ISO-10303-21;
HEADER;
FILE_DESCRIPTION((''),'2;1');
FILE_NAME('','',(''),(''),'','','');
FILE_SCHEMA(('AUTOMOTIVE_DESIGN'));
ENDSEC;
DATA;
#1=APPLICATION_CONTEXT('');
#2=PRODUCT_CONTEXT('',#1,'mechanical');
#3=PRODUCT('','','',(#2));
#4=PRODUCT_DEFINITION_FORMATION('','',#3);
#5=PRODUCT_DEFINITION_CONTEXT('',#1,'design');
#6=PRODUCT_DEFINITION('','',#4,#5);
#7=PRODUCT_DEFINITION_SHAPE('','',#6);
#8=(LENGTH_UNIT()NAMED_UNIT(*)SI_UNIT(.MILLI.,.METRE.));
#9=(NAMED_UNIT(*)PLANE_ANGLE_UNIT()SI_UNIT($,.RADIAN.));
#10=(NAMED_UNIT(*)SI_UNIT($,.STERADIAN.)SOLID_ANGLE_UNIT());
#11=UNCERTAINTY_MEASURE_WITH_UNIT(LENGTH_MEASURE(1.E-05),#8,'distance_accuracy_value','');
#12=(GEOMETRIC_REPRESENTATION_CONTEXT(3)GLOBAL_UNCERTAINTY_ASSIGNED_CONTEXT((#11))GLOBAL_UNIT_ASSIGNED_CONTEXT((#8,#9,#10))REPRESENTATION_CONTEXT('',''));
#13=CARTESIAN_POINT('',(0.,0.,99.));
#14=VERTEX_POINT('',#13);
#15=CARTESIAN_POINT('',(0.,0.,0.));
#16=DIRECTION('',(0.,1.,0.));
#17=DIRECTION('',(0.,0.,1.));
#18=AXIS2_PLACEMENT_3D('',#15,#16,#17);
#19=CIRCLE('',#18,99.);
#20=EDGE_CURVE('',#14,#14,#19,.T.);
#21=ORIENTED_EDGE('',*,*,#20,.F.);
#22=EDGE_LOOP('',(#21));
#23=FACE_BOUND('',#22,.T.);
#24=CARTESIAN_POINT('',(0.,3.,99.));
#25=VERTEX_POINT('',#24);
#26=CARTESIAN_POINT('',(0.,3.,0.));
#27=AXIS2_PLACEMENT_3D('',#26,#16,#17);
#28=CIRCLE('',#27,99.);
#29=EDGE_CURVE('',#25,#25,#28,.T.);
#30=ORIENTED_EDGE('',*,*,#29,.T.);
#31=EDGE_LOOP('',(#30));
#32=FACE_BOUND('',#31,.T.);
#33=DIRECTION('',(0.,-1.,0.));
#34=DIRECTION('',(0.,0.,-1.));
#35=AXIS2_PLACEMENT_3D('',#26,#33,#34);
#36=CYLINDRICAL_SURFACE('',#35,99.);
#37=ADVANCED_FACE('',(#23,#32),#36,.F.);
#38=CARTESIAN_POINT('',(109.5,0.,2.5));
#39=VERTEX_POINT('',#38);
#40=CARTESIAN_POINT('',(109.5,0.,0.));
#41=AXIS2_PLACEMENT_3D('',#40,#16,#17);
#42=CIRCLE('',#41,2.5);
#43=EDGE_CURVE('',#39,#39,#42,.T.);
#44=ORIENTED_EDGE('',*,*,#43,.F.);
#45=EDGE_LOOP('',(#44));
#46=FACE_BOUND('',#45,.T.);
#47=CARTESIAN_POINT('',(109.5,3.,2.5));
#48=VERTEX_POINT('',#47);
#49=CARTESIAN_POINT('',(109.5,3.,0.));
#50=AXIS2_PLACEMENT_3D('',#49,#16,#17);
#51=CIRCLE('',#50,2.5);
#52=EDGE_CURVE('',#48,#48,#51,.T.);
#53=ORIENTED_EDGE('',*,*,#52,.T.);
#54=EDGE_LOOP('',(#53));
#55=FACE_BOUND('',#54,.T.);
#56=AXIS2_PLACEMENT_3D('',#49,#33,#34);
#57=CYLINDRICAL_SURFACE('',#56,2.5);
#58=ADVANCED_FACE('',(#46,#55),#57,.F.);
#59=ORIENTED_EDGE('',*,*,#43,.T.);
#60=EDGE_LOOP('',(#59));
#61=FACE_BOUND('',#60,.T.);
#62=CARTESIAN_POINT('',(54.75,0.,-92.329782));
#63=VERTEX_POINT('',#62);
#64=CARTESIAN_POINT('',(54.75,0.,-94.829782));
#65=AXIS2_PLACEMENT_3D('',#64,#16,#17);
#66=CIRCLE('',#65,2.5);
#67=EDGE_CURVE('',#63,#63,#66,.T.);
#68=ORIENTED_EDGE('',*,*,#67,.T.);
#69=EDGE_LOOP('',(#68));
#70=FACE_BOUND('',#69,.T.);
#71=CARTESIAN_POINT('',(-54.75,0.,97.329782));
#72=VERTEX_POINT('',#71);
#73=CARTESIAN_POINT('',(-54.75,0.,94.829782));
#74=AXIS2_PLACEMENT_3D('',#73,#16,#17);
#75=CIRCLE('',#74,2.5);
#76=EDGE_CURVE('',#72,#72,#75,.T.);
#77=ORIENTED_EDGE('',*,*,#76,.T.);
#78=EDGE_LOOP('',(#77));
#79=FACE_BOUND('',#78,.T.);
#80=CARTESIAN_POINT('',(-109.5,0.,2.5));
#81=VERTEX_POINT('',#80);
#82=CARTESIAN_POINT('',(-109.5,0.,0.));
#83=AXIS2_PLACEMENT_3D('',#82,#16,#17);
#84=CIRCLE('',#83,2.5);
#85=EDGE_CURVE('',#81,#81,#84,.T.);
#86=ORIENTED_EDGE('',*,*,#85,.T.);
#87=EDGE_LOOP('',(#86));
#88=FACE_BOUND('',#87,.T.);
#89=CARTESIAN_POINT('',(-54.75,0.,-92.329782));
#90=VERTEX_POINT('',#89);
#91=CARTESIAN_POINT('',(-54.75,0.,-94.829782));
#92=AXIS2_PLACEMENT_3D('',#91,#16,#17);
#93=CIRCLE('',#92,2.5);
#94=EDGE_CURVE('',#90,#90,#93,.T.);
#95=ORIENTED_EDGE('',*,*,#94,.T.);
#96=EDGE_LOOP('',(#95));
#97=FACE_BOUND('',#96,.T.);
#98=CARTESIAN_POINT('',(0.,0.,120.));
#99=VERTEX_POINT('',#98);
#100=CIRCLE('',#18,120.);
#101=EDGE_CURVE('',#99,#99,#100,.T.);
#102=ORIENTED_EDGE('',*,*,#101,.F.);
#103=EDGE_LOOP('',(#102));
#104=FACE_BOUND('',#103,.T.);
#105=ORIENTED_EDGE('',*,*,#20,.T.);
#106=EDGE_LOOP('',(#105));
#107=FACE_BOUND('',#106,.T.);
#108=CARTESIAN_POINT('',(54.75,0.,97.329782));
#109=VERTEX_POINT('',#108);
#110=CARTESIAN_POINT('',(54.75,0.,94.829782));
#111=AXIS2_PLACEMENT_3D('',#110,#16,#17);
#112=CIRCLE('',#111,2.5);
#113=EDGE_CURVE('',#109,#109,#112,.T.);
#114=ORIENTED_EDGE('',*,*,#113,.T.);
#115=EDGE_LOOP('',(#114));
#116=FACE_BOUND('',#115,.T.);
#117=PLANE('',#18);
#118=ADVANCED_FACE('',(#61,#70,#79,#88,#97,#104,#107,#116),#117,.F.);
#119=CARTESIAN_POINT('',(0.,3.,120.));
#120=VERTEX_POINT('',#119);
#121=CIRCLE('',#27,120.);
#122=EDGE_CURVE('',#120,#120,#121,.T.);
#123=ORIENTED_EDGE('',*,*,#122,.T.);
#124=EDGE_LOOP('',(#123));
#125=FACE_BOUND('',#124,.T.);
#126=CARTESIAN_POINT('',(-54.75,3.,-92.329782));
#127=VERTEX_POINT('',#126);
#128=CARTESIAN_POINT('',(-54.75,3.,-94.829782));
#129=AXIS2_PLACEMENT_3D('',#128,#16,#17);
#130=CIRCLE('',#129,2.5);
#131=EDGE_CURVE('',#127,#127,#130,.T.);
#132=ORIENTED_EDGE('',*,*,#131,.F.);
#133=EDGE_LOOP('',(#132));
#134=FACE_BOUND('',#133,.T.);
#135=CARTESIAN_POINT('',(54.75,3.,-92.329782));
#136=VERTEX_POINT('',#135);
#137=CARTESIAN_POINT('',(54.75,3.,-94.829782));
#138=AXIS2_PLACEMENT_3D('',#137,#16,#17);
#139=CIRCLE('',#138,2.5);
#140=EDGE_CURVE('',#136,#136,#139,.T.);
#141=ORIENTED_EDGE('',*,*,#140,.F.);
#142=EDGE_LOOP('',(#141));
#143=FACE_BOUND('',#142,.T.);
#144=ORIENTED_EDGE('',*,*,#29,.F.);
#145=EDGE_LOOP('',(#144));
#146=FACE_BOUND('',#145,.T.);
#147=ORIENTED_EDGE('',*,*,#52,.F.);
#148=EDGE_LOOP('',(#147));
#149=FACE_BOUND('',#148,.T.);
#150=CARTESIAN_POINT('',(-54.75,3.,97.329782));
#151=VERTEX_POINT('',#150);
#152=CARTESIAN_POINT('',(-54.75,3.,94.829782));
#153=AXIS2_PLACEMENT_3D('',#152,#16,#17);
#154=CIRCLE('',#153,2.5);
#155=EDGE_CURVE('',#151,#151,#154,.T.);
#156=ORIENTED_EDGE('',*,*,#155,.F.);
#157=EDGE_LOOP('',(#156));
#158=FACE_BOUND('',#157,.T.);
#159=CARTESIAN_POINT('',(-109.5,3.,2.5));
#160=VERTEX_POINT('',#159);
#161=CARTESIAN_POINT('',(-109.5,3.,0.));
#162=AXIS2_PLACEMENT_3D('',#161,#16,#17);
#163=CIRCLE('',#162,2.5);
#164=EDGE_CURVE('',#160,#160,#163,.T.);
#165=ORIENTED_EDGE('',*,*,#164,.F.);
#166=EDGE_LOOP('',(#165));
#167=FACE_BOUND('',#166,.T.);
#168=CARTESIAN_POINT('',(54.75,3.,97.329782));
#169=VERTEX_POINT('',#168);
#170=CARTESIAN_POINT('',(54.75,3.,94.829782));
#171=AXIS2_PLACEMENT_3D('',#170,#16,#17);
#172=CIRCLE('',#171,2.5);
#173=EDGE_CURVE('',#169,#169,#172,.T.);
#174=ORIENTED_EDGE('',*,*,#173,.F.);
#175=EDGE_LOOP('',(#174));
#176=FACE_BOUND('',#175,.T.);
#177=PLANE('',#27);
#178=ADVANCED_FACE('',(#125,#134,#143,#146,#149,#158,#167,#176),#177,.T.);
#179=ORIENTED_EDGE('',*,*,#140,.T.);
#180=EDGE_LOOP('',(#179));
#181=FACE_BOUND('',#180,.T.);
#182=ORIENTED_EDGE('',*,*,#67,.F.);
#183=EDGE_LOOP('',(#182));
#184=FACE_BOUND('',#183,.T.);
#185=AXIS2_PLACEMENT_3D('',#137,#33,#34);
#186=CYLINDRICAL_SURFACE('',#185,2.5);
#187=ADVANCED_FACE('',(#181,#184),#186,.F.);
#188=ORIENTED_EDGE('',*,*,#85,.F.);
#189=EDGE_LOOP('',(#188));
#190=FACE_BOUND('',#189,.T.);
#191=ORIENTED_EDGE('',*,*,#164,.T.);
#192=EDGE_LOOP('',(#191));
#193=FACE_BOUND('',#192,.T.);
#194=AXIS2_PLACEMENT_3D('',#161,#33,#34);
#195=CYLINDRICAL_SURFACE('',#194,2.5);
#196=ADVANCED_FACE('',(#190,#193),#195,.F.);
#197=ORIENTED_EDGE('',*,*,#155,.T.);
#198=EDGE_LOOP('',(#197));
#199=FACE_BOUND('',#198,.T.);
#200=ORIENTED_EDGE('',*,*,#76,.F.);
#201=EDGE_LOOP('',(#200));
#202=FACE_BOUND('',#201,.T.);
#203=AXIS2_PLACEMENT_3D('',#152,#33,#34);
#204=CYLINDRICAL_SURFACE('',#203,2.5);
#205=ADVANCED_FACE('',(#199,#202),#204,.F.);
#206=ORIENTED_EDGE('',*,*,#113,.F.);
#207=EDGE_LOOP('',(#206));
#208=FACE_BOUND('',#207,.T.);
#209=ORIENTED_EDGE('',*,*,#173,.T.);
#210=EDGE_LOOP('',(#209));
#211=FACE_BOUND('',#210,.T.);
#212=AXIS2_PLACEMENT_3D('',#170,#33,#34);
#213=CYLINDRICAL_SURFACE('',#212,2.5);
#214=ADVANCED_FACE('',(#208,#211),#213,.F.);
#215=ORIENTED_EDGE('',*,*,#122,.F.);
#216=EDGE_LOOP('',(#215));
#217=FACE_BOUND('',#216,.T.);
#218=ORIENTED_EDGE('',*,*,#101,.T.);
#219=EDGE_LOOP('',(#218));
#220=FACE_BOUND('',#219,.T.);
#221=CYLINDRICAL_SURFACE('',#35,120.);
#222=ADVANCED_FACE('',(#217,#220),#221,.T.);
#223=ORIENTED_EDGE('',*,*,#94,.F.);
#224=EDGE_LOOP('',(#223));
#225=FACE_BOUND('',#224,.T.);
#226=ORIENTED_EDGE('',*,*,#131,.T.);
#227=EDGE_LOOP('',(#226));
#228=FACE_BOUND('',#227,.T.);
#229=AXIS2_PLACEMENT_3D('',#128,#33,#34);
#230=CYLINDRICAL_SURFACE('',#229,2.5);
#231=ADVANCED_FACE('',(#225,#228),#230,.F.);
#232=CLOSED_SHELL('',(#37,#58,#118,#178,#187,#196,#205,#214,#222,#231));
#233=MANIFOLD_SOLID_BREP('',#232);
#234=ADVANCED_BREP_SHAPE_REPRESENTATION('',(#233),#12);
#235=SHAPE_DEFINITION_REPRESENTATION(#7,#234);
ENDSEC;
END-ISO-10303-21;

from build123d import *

# Parameters (mm, degrees)
SKETCH1_R           = 120
SKETCH1_R_2         = 99
SKETCH1_R_3         = 2.5
BOSS_EXTRUDE1_DEPTH = 3


with BuildPart() as part:
    # Sketch1 → Boss-Extrude1 (new body)
    with BuildSketch(Plane(origin=(0, 0, 0), x_dir=(1, 0, 0), z_dir=(0, 1, 0))):
        with Locations(Location((0, 0, 0), (0, 0, 270))):
            Circle(SKETCH1_R)
        with Locations(Location((0, 0, 0), (0, 0, 270))):
            Circle(SKETCH1_R_2, mode=Mode.SUBTRACT)
        with Locations(Location((-109.5, 0, 0), (0, 0, 270))):
            Circle(SKETCH1_R_3, mode=Mode.SUBTRACT)
        with Locations(Location((-54.75, 94.829781714, 0), (0, 0, 270))):
            Circle(SKETCH1_R_3, mode=Mode.SUBTRACT)
        with Locations(Location((54.75, 94.829781714, 0), (0, 0, 270))):
            Circle(SKETCH1_R_3, mode=Mode.SUBTRACT)
        with Locations(Location((109.5, 0, 0), (0, 0, 270))):
            Circle(SKETCH1_R_3, mode=Mode.SUBTRACT)
        with Locations(Location((54.75, -94.829781714, 0), (0, 0, 270))):
            Circle(SKETCH1_R_3, mode=Mode.SUBTRACT)
        with Locations(Location((-54.75, -94.829781714, 0), (0, 0, 270))):
            Circle(SKETCH1_R_3, mode=Mode.SUBTRACT)
    extrude(amount=BOSS_EXTRUDE1_DEPTH)


solid = part.part
